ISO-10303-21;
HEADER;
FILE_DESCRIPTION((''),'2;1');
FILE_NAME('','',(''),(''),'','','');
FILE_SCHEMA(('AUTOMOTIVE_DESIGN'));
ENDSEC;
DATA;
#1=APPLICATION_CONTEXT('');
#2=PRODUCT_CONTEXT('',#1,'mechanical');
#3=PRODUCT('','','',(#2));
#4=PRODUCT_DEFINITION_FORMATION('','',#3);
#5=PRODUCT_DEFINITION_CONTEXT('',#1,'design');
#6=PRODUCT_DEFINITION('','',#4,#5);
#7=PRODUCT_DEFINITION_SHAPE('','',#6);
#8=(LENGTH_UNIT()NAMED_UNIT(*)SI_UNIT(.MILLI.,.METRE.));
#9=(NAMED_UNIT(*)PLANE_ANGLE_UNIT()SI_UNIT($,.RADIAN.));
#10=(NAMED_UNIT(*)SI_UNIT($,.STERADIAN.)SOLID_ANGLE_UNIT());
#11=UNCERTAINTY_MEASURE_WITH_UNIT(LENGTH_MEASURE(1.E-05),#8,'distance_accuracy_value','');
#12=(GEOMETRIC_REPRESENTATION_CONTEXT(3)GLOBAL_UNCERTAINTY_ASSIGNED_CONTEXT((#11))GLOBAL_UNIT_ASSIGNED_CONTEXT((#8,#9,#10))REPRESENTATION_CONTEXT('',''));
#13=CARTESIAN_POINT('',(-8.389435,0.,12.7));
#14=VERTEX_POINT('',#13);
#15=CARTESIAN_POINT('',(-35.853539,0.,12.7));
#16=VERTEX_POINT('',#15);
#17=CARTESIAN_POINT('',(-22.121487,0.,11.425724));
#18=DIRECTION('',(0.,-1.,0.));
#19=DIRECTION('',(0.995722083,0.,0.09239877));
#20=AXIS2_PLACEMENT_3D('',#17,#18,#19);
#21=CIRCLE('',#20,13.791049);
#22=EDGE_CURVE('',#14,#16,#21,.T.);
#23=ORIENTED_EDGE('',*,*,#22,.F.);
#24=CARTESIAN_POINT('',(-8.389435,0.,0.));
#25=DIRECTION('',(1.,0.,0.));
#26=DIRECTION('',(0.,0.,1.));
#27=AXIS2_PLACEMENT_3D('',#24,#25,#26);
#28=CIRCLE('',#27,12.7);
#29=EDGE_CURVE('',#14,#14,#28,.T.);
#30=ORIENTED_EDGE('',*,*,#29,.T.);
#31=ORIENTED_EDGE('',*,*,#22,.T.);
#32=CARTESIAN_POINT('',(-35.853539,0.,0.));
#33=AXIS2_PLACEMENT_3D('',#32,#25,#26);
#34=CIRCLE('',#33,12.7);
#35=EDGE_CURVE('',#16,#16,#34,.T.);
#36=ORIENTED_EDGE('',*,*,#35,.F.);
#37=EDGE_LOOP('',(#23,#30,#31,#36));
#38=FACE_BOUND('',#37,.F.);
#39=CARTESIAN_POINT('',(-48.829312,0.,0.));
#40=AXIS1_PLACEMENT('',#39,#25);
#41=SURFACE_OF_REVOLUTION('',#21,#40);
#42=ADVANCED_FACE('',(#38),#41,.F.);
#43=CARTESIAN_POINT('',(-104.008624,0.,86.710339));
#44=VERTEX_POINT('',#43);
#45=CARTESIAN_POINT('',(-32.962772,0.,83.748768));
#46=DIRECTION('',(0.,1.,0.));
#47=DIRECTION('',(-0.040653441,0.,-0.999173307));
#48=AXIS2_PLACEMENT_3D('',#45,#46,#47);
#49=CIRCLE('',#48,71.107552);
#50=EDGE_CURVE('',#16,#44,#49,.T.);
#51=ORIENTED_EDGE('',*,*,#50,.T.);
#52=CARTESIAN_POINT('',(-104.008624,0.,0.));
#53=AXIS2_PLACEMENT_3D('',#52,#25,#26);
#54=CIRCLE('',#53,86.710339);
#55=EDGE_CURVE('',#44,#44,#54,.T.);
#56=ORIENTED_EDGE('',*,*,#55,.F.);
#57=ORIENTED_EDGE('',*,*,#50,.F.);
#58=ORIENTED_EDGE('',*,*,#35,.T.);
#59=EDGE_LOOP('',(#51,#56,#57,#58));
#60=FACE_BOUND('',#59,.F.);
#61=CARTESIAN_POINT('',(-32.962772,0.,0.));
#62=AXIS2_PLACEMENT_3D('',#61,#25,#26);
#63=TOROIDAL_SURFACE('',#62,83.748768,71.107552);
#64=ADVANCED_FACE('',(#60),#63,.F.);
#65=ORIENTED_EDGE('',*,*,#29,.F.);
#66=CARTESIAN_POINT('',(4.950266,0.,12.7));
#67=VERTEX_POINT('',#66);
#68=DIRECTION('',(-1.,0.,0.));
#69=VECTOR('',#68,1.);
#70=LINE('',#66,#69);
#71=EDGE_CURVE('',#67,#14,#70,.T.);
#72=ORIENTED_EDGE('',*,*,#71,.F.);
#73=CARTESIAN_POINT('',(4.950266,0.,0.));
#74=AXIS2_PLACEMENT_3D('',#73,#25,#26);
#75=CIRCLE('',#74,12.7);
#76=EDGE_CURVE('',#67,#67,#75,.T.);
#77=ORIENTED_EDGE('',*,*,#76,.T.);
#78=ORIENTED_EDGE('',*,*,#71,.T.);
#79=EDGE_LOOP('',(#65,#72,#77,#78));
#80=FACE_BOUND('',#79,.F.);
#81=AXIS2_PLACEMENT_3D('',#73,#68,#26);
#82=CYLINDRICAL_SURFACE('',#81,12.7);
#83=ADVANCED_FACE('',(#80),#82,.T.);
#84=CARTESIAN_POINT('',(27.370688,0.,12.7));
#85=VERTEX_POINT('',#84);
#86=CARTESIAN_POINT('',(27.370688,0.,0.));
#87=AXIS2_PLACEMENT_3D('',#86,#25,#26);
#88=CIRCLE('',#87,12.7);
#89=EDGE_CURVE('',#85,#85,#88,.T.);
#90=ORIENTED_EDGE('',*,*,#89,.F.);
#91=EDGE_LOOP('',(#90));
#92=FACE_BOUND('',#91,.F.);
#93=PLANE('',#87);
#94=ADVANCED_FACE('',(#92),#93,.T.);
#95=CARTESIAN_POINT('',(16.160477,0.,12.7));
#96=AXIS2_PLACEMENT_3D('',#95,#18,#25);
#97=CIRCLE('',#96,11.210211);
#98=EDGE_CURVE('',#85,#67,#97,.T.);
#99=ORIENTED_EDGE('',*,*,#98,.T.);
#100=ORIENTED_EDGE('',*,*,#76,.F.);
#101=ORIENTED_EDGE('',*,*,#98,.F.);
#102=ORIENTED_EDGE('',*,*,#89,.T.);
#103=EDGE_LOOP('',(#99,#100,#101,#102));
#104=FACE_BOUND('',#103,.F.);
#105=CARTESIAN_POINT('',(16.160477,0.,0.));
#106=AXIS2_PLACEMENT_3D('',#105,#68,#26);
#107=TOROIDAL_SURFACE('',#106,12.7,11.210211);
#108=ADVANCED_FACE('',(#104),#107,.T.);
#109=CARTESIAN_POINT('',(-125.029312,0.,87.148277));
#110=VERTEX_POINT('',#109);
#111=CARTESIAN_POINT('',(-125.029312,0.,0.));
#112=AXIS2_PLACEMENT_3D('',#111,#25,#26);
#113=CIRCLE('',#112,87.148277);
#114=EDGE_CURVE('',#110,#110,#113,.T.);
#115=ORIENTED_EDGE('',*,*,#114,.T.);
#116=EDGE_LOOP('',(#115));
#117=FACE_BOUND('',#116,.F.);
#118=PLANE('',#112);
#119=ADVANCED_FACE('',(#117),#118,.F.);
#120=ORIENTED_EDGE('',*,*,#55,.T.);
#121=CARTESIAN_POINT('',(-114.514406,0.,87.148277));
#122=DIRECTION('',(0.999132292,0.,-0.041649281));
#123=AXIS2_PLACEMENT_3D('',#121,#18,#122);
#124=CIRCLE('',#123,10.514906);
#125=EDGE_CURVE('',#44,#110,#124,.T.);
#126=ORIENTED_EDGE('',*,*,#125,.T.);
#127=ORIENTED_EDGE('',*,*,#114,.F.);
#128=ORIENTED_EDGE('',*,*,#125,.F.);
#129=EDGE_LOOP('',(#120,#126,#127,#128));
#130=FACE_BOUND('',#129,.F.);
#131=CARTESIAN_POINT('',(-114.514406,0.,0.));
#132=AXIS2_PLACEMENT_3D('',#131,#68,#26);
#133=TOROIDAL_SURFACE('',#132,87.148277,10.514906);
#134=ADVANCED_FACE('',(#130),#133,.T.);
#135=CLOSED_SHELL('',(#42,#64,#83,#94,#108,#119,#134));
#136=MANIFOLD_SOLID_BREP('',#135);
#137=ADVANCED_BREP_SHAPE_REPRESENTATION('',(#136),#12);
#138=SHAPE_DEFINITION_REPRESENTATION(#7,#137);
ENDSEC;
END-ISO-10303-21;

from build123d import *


with BuildPart() as f1:
    # F0 (on Front) → F1 (revolve)
    with BuildSketch(Plane.XZ):
        with BuildLine():
            Line((-125.029312, 87.148277), (-125.029312, 0))
            Line((-125.029312, 0), (27.370688, 0))
            Line((27.370688, 0), (27.370688, 12.7))
            ThreePointArc((27.370688, 12.7), (16.160477, 23.910211), (4.950266, 12.7))
            Line((4.950266, 12.7), (-8.389435, 12.7))
            ThreePointArc((-8.389435, 12.7), (-22.121487, 25.216773), (-35.853539, 12.7))
            ThreePointArc((-35.853539, 12.7), (-85.269927, 35.579841), (-104.008624, 86.710339))
            ThreePointArc((-104.008624, 86.710339), (-114.29539, 97.660902), (-125.029312, 87.148277))
        make_face()
    revolve(axis=Axis((-48.829312, 0, 0), (1, 0, 0)))


solid = f1.part
